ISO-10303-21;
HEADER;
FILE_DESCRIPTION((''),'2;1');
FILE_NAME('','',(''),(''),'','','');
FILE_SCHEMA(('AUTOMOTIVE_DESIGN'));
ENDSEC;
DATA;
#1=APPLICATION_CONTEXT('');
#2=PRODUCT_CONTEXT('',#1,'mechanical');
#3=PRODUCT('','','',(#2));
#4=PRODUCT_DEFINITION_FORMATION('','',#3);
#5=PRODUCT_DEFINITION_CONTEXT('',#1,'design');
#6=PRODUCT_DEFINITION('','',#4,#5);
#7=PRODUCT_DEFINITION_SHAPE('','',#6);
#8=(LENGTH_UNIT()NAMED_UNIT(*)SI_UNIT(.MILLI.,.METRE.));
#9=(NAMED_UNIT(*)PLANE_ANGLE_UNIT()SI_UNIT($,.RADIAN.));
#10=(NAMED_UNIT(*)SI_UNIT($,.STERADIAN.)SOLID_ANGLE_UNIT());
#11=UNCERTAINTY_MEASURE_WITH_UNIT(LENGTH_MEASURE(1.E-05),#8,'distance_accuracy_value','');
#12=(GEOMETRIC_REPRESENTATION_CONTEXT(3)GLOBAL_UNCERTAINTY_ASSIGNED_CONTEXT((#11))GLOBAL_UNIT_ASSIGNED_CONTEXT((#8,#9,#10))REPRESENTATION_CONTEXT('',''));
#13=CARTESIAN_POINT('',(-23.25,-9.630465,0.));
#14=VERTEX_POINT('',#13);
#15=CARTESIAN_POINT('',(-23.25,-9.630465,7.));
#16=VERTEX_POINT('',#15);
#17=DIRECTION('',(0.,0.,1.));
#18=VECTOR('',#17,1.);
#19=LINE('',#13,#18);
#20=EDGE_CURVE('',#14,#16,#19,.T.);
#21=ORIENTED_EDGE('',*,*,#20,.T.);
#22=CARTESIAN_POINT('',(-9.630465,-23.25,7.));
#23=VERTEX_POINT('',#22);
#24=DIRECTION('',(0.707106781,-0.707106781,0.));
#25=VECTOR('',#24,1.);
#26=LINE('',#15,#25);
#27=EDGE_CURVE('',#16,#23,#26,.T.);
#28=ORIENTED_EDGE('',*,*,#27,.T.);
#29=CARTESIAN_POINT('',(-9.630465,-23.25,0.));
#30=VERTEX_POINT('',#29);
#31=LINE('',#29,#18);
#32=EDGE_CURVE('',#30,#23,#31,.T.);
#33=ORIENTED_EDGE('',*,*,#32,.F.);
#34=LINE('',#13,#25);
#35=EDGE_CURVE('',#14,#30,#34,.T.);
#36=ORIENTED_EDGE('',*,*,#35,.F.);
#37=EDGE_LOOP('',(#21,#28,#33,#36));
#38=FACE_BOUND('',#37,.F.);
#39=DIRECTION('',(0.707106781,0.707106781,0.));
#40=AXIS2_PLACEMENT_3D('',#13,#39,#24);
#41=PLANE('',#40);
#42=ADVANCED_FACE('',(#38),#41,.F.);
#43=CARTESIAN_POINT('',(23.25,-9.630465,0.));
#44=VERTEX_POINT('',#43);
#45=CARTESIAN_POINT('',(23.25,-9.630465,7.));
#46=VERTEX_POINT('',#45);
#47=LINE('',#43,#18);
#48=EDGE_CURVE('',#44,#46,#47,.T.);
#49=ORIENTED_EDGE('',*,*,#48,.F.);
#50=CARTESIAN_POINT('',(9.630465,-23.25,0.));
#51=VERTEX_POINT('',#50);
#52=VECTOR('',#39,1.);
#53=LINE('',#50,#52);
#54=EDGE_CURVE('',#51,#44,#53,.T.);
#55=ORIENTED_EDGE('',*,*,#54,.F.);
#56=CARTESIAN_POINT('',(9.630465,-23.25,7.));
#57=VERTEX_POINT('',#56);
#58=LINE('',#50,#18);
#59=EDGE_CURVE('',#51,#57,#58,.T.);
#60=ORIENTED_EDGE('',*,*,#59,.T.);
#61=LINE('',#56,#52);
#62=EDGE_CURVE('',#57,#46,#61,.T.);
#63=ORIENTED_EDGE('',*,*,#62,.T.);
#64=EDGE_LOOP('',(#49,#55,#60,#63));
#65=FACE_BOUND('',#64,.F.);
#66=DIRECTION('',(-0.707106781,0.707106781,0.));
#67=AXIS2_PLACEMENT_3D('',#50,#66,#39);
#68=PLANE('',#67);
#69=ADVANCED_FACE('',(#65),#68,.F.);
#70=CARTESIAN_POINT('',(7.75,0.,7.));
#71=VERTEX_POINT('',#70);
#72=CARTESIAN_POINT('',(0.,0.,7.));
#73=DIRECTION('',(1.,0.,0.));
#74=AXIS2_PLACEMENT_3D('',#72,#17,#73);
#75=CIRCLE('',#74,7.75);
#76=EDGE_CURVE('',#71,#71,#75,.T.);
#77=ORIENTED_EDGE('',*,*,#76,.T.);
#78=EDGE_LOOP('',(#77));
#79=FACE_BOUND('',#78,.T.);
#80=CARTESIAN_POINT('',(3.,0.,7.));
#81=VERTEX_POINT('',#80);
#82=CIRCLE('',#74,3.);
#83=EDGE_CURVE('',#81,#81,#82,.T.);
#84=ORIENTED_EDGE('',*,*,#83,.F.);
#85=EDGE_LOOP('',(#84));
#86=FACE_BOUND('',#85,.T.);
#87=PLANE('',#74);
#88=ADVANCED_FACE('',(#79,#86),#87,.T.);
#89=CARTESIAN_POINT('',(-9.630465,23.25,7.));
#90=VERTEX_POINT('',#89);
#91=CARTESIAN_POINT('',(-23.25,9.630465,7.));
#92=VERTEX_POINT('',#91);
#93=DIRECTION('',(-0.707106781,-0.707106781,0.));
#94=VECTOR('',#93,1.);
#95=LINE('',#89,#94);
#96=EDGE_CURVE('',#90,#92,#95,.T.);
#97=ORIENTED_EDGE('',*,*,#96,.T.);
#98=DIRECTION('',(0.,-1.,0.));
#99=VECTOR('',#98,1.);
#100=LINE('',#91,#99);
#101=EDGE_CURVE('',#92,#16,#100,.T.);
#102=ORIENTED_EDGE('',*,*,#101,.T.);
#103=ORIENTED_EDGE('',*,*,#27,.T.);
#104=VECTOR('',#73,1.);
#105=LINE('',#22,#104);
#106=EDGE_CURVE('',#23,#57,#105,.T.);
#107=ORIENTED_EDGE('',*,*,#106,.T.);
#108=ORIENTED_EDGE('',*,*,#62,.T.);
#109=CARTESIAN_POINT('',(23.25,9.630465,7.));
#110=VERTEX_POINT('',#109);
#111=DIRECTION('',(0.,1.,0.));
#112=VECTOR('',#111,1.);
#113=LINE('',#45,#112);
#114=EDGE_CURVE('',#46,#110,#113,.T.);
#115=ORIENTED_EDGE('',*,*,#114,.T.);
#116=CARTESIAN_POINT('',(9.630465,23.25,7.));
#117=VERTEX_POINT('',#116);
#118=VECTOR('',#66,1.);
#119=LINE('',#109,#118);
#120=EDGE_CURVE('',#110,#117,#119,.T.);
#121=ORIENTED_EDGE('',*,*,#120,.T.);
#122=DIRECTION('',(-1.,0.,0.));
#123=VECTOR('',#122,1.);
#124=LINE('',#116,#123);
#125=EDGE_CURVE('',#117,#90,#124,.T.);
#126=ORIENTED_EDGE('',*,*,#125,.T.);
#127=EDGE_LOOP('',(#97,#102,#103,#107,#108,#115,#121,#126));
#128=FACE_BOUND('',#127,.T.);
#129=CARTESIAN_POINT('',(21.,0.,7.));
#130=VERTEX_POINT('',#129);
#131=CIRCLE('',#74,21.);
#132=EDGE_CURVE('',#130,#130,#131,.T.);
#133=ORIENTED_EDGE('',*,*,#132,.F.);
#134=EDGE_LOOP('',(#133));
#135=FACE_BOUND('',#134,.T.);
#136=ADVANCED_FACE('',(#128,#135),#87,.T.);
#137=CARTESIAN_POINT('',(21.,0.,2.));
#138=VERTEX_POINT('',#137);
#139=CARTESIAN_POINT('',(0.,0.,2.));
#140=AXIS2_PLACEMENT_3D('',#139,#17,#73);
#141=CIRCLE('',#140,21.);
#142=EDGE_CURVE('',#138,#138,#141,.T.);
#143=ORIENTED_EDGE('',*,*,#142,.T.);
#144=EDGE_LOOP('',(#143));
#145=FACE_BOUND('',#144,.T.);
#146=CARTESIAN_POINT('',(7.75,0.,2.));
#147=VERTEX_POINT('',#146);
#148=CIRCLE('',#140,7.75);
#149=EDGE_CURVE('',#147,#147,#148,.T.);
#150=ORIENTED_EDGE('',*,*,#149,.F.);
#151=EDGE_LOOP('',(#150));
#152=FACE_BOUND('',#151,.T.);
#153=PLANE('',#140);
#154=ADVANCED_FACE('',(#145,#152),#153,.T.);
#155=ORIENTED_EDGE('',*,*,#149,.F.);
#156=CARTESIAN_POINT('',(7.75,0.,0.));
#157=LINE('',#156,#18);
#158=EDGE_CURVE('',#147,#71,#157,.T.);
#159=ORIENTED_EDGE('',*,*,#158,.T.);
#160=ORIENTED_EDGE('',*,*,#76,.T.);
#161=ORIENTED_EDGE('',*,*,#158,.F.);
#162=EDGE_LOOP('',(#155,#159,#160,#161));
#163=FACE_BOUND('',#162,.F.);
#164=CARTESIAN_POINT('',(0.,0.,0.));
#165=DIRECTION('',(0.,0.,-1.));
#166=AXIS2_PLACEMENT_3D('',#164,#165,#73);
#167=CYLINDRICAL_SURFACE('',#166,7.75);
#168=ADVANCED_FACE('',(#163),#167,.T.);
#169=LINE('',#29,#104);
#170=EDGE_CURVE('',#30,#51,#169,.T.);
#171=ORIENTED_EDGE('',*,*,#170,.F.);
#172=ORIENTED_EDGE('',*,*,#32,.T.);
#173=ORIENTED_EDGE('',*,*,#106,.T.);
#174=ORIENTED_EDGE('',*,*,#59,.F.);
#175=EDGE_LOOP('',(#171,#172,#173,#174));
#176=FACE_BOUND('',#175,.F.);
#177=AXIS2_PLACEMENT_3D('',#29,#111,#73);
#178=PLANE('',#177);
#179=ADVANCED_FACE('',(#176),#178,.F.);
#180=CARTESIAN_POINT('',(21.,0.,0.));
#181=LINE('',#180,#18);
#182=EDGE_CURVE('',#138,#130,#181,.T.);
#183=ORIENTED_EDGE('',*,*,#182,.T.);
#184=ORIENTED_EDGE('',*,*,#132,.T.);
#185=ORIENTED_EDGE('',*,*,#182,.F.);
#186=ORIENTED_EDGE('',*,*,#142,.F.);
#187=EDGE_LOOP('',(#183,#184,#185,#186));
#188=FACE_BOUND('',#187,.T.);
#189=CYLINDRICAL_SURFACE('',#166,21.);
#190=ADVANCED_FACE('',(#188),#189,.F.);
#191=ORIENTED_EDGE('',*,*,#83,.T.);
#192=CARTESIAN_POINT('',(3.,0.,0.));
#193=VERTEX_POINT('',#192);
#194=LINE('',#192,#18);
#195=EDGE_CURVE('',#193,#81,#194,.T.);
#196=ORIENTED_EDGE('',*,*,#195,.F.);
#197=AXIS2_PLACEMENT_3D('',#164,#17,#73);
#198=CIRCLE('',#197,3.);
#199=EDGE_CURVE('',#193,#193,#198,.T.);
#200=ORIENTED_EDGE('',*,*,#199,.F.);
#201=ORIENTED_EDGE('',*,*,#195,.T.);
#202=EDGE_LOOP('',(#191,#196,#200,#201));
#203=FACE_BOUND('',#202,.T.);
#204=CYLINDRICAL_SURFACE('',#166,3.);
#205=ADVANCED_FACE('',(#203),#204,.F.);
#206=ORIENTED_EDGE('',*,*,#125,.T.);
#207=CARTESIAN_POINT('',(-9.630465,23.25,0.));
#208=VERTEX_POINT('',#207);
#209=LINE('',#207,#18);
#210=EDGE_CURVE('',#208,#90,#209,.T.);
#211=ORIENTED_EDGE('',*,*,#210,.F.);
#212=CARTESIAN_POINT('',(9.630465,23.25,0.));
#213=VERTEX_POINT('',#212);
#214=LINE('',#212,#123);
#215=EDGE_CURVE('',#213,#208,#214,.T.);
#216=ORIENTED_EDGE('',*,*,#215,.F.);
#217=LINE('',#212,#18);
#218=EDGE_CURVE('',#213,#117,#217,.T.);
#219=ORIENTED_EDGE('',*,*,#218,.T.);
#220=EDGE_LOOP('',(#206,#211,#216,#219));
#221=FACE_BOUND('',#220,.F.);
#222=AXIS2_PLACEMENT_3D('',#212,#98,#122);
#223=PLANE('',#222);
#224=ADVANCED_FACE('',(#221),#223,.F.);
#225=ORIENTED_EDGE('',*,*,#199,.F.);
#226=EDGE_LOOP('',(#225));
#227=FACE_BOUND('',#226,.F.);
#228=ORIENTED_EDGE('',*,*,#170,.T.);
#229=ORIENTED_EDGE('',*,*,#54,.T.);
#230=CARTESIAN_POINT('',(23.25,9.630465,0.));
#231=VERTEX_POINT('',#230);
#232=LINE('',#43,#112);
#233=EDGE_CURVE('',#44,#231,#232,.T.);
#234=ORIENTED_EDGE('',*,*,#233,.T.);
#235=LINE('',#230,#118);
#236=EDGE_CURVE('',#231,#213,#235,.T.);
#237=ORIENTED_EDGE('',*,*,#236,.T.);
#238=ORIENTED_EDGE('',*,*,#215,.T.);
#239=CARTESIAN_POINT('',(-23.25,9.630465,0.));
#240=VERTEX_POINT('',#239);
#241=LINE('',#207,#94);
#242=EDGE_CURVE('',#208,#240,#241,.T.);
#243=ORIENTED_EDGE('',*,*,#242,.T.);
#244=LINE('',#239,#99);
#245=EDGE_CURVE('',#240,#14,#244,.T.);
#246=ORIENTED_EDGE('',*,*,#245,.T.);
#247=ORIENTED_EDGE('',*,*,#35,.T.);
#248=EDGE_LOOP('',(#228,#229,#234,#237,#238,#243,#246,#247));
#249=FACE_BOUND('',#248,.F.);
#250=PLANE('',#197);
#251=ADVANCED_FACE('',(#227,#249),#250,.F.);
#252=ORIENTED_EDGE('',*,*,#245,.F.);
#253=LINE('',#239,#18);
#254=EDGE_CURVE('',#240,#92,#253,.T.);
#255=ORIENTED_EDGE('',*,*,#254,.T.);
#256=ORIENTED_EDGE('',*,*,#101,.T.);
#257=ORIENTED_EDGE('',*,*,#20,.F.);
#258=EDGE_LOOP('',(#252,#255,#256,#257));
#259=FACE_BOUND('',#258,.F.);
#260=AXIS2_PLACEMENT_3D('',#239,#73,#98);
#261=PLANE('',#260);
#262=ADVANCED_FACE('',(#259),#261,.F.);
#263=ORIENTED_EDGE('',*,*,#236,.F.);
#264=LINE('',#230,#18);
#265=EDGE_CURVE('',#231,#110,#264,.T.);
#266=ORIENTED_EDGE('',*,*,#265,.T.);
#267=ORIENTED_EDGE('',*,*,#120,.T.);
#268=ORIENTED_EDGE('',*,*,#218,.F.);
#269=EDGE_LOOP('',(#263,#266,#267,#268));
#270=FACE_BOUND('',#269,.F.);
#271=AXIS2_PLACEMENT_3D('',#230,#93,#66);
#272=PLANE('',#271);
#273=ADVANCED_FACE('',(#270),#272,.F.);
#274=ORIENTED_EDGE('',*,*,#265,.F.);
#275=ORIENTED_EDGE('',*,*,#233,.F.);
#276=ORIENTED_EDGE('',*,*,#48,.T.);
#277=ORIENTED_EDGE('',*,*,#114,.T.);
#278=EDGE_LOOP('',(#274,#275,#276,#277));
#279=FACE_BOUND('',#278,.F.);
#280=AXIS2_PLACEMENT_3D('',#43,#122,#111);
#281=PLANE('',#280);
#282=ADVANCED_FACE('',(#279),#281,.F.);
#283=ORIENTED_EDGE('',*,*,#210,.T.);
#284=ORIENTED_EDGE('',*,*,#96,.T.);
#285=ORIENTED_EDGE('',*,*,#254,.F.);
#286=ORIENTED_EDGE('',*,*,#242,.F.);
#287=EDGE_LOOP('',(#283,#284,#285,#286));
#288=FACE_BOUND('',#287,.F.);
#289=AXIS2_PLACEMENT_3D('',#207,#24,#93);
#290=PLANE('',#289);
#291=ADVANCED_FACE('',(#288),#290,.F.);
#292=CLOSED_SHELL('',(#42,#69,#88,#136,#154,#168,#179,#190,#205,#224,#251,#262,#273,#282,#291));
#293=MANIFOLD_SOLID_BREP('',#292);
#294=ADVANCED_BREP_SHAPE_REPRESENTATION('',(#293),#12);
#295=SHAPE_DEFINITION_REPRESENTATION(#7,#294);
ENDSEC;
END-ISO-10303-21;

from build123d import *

# Parameters (mm, degrees)
F2_R     = 21
F2_R_2   = 7.75
F2_R_3   = 3
F0_DEPTH = 7
F1_DEPTH = 2


with BuildPart() as f0:
    # F2 (on Top) → F0 (new body)
    with BuildSketch(Plane.XY):
        Polygon((23.25, -9.630465), (23.25, 9.630465), (9.630465, 23.25), (-9.630465, 23.25), (-23.25, 9.630465), (-23.25, -9.630465), (-9.630465, -23.25), (9.630465, -23.25), align=None)
        Circle(F2_R, mode=Mode.SUBTRACT)
        Circle(F2_R_2)
        Circle(F2_R_3, mode=Mode.SUBTRACT)
    extrude(amount=F0_DEPTH)

    # F2 (on Top) → F1 (join)
    with BuildSketch(Plane.XY):
        Circle(F2_R)
        Circle(F2_R_2, mode=Mode.SUBTRACT)
    extrude(amount=F1_DEPTH)


solid = f0.part
